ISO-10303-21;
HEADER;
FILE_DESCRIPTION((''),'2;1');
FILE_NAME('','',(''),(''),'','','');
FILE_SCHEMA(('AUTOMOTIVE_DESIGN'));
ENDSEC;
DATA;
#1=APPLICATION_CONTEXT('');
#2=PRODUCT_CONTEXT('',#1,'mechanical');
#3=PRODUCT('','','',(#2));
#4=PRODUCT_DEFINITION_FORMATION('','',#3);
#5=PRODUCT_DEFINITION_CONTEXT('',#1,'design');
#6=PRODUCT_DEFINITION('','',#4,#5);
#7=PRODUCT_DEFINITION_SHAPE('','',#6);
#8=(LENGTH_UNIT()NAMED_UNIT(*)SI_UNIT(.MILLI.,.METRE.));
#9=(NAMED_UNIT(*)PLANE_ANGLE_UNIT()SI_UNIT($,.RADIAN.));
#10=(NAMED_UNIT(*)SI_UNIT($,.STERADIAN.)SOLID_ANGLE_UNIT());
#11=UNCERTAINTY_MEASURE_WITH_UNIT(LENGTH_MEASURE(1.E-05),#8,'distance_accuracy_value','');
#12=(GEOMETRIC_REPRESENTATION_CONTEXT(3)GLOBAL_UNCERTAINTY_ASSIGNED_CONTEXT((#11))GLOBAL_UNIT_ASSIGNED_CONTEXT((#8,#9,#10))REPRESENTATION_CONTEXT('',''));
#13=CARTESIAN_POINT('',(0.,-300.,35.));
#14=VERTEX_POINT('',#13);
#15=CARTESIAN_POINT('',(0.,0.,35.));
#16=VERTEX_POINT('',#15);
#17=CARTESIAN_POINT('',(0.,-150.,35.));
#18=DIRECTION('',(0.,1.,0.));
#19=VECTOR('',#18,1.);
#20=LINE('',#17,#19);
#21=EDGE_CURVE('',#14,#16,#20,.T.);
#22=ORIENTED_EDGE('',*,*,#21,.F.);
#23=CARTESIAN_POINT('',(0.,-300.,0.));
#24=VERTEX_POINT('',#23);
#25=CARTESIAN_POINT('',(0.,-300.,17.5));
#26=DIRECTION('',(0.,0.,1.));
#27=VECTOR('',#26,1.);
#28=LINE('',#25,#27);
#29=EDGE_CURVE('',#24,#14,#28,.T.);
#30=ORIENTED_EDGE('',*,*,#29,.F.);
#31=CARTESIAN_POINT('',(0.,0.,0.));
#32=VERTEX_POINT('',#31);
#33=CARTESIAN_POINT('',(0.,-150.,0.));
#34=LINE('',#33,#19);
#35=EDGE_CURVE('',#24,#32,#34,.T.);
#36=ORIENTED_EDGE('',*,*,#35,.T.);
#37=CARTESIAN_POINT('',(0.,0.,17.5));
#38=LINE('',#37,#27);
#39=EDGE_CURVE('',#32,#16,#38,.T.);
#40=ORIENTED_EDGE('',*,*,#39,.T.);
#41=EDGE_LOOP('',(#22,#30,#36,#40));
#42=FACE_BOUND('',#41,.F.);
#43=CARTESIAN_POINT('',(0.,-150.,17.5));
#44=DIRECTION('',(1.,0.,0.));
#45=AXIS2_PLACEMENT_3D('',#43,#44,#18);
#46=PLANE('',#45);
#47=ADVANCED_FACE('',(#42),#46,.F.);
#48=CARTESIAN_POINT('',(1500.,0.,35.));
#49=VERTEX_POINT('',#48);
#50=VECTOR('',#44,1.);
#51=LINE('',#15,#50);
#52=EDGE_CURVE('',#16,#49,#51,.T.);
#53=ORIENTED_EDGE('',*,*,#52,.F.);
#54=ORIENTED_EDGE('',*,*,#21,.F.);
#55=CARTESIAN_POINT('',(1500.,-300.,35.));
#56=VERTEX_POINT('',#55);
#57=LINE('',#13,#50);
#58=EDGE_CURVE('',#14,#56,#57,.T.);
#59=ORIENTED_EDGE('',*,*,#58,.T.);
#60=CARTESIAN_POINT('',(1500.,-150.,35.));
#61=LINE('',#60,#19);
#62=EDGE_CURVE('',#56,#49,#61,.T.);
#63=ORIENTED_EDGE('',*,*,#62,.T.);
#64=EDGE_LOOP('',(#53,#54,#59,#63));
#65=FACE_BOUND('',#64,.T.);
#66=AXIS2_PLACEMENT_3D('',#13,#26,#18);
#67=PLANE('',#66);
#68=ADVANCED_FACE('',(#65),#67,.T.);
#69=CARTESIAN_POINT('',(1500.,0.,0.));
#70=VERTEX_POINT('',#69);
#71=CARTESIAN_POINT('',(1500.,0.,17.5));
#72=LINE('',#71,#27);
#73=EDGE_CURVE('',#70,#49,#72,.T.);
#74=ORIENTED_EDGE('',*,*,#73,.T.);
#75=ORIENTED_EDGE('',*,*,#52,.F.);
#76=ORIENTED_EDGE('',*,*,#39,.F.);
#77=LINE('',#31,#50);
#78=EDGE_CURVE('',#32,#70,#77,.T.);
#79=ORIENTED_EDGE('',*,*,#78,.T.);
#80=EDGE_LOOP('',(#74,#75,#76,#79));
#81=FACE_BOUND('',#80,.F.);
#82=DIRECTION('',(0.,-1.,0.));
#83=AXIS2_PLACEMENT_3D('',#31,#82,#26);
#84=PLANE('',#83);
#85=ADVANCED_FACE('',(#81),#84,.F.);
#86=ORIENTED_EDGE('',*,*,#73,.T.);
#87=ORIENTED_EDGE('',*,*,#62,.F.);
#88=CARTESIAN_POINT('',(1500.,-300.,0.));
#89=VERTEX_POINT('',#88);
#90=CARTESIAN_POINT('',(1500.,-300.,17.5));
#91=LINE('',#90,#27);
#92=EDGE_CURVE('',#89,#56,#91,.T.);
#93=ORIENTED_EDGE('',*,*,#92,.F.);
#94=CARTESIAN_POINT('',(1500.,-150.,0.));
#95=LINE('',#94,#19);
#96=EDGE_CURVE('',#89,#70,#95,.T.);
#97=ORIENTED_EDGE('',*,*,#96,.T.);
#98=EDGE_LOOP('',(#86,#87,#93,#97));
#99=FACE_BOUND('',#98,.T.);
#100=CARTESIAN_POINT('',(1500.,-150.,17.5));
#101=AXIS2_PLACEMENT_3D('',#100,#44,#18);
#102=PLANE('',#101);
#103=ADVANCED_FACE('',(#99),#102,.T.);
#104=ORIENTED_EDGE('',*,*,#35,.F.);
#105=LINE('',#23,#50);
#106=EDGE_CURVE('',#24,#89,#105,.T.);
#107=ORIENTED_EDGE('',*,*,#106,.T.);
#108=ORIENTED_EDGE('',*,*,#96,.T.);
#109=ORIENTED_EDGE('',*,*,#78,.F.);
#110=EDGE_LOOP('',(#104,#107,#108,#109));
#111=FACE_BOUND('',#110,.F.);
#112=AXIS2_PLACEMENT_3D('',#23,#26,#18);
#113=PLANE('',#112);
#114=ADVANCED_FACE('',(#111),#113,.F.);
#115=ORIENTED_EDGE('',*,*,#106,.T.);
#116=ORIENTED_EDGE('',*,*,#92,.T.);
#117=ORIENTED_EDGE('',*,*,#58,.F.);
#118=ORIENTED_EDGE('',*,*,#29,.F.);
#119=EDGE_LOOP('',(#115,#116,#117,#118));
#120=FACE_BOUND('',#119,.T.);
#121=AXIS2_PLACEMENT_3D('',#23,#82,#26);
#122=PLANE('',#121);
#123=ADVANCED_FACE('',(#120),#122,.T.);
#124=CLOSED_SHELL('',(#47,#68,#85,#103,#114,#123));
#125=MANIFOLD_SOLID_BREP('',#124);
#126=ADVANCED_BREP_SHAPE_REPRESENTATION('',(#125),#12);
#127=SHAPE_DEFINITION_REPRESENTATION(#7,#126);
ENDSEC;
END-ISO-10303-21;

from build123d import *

# Parameters (mm, degrees)
SKETCH_W  = 300
SKETCH_H  = 35
PAD_DEPTH = 1500


with BuildPart() as part:
    # Sketch → Pad (new body)
    with BuildSketch(Plane.YZ):
        with Locations((-150, 17.5)):
            Rectangle(SKETCH_W, SKETCH_H)
    extrude(amount=PAD_DEPTH)


solid = part.part
